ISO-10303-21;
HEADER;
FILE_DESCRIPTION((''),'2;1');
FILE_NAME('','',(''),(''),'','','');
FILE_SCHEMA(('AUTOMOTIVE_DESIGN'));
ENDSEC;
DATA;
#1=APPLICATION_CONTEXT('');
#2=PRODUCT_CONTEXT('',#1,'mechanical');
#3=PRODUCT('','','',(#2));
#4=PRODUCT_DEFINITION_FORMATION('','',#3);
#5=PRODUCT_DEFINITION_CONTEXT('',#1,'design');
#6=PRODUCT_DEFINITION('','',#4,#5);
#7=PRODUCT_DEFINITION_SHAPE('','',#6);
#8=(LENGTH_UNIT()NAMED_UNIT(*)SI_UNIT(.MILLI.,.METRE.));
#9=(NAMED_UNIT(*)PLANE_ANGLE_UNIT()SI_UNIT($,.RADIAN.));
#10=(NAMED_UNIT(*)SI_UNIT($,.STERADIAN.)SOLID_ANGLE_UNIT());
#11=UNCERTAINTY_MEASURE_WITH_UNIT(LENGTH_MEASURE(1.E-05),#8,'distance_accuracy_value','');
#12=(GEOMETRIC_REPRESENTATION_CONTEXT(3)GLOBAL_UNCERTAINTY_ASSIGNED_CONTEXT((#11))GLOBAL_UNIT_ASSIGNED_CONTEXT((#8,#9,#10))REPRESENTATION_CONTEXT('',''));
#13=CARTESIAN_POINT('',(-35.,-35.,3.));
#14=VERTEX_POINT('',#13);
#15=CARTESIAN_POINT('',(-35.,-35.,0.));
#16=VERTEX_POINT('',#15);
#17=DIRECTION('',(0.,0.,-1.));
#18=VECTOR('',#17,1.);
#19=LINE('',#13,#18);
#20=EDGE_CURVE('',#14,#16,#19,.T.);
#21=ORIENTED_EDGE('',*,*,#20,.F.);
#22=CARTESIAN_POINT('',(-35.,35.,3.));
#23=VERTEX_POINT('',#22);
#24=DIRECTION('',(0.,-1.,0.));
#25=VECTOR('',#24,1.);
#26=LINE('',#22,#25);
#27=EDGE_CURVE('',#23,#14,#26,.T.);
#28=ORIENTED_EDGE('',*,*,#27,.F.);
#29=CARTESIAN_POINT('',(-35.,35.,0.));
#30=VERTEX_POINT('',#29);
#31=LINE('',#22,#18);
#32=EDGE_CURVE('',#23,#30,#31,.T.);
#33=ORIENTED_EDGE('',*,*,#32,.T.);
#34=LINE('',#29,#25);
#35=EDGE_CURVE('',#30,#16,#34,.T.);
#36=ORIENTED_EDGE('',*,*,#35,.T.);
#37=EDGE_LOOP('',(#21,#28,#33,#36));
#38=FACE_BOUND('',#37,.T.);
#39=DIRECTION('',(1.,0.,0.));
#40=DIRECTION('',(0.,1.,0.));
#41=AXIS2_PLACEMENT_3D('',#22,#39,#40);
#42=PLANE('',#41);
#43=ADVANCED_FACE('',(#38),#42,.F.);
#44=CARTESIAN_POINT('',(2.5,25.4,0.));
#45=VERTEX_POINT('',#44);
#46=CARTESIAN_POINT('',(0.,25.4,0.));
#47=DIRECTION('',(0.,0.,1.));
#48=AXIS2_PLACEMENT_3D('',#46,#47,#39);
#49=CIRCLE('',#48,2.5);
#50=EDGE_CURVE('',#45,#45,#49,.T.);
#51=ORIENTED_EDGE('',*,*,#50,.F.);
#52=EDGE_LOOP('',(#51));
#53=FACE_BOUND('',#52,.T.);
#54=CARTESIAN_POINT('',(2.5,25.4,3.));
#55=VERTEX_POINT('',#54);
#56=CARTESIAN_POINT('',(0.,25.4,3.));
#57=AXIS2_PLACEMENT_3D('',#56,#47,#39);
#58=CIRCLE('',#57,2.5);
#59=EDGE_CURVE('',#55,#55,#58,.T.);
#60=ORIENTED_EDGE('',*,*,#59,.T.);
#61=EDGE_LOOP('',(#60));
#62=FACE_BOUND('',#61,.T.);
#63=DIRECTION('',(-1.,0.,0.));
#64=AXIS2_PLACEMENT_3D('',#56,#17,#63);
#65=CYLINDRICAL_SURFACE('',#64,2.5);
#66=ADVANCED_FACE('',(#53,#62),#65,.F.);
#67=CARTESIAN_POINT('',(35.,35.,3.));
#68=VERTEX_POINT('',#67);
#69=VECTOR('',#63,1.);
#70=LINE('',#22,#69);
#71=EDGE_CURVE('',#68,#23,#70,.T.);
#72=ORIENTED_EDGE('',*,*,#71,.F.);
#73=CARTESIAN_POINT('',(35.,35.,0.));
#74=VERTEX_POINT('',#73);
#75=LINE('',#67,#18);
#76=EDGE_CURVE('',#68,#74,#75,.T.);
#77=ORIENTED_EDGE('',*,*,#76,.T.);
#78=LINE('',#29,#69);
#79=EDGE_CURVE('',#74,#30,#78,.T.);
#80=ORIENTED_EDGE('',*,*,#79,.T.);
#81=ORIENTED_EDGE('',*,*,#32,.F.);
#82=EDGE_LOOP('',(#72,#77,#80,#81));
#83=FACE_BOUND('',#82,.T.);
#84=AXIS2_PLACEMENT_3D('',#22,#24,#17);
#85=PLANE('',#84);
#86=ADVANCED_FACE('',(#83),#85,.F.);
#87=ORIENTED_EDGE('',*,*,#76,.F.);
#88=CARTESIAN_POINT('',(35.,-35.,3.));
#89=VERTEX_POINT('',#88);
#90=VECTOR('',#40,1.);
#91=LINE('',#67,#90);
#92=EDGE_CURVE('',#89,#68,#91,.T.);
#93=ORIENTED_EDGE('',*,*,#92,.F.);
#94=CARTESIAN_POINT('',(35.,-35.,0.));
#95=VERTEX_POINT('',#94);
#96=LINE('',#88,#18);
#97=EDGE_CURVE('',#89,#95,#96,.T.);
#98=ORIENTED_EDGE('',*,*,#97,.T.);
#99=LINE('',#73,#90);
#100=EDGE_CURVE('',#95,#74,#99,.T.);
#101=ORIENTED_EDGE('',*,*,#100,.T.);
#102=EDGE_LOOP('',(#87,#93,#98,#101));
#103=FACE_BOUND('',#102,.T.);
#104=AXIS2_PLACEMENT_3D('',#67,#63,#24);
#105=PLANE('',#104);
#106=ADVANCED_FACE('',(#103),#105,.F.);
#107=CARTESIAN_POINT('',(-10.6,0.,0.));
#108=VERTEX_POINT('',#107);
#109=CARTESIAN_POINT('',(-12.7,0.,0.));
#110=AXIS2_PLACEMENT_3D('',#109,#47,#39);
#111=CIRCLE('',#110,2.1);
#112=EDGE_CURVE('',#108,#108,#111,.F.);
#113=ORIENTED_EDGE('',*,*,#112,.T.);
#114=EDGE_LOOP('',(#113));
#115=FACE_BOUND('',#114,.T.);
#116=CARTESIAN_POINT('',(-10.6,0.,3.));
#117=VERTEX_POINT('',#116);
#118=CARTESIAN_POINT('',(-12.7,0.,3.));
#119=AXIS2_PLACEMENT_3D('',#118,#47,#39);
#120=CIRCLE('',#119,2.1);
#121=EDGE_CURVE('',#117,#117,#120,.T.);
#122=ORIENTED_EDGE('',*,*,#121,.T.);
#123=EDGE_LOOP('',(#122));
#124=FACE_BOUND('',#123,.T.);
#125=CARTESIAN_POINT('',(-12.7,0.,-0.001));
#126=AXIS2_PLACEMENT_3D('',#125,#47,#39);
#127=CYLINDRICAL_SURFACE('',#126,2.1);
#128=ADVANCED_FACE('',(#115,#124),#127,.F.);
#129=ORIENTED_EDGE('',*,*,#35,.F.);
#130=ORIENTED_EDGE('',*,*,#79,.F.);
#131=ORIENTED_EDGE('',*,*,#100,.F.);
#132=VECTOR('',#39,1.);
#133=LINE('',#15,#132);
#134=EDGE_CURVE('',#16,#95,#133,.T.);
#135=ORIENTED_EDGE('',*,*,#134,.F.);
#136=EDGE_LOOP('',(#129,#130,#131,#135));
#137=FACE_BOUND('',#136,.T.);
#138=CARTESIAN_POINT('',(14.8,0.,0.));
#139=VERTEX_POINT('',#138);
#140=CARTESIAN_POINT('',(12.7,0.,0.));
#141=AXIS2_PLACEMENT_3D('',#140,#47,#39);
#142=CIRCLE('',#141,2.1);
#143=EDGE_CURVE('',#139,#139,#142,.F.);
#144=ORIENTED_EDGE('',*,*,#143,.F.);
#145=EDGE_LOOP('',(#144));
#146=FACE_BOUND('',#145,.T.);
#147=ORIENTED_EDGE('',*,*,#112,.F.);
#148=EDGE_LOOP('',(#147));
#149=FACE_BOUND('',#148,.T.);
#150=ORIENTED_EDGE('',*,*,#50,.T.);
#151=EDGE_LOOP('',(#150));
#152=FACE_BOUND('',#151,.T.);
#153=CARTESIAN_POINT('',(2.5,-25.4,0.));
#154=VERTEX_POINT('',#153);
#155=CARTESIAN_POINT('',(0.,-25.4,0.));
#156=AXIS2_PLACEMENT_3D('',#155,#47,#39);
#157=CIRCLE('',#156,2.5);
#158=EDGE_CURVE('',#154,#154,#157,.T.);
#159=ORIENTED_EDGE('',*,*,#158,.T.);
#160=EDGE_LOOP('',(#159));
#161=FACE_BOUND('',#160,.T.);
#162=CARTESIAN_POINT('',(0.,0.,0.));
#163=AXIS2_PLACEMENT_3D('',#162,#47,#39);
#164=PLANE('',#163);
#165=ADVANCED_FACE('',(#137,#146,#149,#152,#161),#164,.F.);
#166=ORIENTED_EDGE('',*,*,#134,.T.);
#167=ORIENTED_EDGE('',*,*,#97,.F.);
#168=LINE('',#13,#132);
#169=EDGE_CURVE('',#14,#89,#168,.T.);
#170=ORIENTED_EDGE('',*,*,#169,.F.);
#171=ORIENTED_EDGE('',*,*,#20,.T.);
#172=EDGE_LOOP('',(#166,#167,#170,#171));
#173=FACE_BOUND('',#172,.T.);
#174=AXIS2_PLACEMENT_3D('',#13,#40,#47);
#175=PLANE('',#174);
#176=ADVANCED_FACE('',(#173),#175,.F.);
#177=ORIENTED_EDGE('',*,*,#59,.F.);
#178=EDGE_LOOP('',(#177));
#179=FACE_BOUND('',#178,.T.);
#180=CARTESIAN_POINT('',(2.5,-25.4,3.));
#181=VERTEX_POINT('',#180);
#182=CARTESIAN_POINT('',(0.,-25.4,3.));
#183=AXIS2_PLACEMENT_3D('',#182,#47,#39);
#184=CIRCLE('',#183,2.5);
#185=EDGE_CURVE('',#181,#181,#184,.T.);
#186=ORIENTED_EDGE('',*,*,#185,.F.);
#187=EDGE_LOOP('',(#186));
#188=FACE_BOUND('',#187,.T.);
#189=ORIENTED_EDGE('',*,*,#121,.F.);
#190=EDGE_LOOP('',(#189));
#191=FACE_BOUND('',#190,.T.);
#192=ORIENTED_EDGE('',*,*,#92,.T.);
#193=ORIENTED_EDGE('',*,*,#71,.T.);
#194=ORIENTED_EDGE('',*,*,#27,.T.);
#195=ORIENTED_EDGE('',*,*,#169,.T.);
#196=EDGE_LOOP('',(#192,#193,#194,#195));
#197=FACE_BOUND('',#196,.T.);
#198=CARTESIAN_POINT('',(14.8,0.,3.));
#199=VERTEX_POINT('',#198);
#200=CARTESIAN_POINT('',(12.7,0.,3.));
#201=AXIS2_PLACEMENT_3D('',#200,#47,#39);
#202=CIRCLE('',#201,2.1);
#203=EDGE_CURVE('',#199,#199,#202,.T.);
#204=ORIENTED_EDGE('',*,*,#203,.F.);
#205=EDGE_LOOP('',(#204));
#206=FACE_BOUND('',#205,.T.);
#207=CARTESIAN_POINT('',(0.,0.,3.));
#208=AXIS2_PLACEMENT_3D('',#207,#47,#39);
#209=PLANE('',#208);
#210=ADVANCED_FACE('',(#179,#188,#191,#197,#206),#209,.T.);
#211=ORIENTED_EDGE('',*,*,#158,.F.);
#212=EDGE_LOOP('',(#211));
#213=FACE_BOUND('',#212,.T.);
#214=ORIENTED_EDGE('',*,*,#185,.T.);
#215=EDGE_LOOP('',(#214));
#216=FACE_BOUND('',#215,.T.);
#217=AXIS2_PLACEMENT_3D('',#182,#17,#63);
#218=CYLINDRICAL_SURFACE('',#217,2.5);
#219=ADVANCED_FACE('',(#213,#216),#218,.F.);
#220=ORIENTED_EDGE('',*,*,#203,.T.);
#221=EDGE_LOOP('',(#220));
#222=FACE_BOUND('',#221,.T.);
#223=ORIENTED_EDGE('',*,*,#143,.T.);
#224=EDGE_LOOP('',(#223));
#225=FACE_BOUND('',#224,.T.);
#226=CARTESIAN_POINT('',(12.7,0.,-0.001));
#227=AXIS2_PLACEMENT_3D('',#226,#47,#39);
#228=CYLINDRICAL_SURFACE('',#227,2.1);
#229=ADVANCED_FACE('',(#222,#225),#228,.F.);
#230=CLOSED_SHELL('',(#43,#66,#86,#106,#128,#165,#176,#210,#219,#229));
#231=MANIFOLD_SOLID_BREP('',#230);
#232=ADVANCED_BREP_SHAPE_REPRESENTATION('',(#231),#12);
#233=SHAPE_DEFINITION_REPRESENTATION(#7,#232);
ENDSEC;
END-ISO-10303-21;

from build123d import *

# Parameters (mm, degrees)
CROQUIS1_W              = 70
CROQUIS1_H              = 70
CROQUIS1_R              = 2.5
SALIENTE_EXTRUIR1_DEPTH = 3
CORTAR_EXTRUIR1_REACH   = 5
CROQUIS2_R              = 2.1


with BuildPart() as part:
    # Croquis1 → Saliente-Extruir1 (new body)
    with BuildSketch(Plane.XY):
        Rectangle(CROQUIS1_W, CROQUIS1_H)
        with Locations((0, 25.4)):
            Circle(CROQUIS1_R, mode=Mode.SUBTRACT)
        with Locations((0, -25.4)):
            Circle(CROQUIS1_R, mode=Mode.SUBTRACT)
    extrude(amount=SALIENTE_EXTRUIR1_DEPTH)

    # Croquis2 → Cortar-Extruir1 (cut, up to next)
    with BuildSketch(Plane.XY.offset(3), mode=Mode.PRIVATE) as cortar_extruir1_sk1:
        with Locations((-12.7, 0)):
            Circle(CROQUIS2_R)
    cortar_extruir1_tool1 = extrude(cortar_extruir1_sk1.sketch, amount=-CORTAR_EXTRUIR1_REACH, mode=Mode.PRIVATE) & part.part
    add(cortar_extruir1_tool1.solids().sort_by_distance((-12.7, 0, 3))[0], mode=Mode.SUBTRACT)
    # Croquis2 → Cortar-Extruir1 (cut, up to next)
    with BuildSketch(Plane.XY.offset(3), mode=Mode.PRIVATE) as cortar_extruir1_sk2:
        with Locations((12.7, 0)):
            Circle(CROQUIS2_R)
    cortar_extruir1_tool2 = extrude(cortar_extruir1_sk2.sketch, amount=-CORTAR_EXTRUIR1_REACH, mode=Mode.PRIVATE) & part.part
    add(cortar_extruir1_tool2.solids().sort_by_distance((12.7, 0, 3))[0], mode=Mode.SUBTRACT)


solid = part.part
